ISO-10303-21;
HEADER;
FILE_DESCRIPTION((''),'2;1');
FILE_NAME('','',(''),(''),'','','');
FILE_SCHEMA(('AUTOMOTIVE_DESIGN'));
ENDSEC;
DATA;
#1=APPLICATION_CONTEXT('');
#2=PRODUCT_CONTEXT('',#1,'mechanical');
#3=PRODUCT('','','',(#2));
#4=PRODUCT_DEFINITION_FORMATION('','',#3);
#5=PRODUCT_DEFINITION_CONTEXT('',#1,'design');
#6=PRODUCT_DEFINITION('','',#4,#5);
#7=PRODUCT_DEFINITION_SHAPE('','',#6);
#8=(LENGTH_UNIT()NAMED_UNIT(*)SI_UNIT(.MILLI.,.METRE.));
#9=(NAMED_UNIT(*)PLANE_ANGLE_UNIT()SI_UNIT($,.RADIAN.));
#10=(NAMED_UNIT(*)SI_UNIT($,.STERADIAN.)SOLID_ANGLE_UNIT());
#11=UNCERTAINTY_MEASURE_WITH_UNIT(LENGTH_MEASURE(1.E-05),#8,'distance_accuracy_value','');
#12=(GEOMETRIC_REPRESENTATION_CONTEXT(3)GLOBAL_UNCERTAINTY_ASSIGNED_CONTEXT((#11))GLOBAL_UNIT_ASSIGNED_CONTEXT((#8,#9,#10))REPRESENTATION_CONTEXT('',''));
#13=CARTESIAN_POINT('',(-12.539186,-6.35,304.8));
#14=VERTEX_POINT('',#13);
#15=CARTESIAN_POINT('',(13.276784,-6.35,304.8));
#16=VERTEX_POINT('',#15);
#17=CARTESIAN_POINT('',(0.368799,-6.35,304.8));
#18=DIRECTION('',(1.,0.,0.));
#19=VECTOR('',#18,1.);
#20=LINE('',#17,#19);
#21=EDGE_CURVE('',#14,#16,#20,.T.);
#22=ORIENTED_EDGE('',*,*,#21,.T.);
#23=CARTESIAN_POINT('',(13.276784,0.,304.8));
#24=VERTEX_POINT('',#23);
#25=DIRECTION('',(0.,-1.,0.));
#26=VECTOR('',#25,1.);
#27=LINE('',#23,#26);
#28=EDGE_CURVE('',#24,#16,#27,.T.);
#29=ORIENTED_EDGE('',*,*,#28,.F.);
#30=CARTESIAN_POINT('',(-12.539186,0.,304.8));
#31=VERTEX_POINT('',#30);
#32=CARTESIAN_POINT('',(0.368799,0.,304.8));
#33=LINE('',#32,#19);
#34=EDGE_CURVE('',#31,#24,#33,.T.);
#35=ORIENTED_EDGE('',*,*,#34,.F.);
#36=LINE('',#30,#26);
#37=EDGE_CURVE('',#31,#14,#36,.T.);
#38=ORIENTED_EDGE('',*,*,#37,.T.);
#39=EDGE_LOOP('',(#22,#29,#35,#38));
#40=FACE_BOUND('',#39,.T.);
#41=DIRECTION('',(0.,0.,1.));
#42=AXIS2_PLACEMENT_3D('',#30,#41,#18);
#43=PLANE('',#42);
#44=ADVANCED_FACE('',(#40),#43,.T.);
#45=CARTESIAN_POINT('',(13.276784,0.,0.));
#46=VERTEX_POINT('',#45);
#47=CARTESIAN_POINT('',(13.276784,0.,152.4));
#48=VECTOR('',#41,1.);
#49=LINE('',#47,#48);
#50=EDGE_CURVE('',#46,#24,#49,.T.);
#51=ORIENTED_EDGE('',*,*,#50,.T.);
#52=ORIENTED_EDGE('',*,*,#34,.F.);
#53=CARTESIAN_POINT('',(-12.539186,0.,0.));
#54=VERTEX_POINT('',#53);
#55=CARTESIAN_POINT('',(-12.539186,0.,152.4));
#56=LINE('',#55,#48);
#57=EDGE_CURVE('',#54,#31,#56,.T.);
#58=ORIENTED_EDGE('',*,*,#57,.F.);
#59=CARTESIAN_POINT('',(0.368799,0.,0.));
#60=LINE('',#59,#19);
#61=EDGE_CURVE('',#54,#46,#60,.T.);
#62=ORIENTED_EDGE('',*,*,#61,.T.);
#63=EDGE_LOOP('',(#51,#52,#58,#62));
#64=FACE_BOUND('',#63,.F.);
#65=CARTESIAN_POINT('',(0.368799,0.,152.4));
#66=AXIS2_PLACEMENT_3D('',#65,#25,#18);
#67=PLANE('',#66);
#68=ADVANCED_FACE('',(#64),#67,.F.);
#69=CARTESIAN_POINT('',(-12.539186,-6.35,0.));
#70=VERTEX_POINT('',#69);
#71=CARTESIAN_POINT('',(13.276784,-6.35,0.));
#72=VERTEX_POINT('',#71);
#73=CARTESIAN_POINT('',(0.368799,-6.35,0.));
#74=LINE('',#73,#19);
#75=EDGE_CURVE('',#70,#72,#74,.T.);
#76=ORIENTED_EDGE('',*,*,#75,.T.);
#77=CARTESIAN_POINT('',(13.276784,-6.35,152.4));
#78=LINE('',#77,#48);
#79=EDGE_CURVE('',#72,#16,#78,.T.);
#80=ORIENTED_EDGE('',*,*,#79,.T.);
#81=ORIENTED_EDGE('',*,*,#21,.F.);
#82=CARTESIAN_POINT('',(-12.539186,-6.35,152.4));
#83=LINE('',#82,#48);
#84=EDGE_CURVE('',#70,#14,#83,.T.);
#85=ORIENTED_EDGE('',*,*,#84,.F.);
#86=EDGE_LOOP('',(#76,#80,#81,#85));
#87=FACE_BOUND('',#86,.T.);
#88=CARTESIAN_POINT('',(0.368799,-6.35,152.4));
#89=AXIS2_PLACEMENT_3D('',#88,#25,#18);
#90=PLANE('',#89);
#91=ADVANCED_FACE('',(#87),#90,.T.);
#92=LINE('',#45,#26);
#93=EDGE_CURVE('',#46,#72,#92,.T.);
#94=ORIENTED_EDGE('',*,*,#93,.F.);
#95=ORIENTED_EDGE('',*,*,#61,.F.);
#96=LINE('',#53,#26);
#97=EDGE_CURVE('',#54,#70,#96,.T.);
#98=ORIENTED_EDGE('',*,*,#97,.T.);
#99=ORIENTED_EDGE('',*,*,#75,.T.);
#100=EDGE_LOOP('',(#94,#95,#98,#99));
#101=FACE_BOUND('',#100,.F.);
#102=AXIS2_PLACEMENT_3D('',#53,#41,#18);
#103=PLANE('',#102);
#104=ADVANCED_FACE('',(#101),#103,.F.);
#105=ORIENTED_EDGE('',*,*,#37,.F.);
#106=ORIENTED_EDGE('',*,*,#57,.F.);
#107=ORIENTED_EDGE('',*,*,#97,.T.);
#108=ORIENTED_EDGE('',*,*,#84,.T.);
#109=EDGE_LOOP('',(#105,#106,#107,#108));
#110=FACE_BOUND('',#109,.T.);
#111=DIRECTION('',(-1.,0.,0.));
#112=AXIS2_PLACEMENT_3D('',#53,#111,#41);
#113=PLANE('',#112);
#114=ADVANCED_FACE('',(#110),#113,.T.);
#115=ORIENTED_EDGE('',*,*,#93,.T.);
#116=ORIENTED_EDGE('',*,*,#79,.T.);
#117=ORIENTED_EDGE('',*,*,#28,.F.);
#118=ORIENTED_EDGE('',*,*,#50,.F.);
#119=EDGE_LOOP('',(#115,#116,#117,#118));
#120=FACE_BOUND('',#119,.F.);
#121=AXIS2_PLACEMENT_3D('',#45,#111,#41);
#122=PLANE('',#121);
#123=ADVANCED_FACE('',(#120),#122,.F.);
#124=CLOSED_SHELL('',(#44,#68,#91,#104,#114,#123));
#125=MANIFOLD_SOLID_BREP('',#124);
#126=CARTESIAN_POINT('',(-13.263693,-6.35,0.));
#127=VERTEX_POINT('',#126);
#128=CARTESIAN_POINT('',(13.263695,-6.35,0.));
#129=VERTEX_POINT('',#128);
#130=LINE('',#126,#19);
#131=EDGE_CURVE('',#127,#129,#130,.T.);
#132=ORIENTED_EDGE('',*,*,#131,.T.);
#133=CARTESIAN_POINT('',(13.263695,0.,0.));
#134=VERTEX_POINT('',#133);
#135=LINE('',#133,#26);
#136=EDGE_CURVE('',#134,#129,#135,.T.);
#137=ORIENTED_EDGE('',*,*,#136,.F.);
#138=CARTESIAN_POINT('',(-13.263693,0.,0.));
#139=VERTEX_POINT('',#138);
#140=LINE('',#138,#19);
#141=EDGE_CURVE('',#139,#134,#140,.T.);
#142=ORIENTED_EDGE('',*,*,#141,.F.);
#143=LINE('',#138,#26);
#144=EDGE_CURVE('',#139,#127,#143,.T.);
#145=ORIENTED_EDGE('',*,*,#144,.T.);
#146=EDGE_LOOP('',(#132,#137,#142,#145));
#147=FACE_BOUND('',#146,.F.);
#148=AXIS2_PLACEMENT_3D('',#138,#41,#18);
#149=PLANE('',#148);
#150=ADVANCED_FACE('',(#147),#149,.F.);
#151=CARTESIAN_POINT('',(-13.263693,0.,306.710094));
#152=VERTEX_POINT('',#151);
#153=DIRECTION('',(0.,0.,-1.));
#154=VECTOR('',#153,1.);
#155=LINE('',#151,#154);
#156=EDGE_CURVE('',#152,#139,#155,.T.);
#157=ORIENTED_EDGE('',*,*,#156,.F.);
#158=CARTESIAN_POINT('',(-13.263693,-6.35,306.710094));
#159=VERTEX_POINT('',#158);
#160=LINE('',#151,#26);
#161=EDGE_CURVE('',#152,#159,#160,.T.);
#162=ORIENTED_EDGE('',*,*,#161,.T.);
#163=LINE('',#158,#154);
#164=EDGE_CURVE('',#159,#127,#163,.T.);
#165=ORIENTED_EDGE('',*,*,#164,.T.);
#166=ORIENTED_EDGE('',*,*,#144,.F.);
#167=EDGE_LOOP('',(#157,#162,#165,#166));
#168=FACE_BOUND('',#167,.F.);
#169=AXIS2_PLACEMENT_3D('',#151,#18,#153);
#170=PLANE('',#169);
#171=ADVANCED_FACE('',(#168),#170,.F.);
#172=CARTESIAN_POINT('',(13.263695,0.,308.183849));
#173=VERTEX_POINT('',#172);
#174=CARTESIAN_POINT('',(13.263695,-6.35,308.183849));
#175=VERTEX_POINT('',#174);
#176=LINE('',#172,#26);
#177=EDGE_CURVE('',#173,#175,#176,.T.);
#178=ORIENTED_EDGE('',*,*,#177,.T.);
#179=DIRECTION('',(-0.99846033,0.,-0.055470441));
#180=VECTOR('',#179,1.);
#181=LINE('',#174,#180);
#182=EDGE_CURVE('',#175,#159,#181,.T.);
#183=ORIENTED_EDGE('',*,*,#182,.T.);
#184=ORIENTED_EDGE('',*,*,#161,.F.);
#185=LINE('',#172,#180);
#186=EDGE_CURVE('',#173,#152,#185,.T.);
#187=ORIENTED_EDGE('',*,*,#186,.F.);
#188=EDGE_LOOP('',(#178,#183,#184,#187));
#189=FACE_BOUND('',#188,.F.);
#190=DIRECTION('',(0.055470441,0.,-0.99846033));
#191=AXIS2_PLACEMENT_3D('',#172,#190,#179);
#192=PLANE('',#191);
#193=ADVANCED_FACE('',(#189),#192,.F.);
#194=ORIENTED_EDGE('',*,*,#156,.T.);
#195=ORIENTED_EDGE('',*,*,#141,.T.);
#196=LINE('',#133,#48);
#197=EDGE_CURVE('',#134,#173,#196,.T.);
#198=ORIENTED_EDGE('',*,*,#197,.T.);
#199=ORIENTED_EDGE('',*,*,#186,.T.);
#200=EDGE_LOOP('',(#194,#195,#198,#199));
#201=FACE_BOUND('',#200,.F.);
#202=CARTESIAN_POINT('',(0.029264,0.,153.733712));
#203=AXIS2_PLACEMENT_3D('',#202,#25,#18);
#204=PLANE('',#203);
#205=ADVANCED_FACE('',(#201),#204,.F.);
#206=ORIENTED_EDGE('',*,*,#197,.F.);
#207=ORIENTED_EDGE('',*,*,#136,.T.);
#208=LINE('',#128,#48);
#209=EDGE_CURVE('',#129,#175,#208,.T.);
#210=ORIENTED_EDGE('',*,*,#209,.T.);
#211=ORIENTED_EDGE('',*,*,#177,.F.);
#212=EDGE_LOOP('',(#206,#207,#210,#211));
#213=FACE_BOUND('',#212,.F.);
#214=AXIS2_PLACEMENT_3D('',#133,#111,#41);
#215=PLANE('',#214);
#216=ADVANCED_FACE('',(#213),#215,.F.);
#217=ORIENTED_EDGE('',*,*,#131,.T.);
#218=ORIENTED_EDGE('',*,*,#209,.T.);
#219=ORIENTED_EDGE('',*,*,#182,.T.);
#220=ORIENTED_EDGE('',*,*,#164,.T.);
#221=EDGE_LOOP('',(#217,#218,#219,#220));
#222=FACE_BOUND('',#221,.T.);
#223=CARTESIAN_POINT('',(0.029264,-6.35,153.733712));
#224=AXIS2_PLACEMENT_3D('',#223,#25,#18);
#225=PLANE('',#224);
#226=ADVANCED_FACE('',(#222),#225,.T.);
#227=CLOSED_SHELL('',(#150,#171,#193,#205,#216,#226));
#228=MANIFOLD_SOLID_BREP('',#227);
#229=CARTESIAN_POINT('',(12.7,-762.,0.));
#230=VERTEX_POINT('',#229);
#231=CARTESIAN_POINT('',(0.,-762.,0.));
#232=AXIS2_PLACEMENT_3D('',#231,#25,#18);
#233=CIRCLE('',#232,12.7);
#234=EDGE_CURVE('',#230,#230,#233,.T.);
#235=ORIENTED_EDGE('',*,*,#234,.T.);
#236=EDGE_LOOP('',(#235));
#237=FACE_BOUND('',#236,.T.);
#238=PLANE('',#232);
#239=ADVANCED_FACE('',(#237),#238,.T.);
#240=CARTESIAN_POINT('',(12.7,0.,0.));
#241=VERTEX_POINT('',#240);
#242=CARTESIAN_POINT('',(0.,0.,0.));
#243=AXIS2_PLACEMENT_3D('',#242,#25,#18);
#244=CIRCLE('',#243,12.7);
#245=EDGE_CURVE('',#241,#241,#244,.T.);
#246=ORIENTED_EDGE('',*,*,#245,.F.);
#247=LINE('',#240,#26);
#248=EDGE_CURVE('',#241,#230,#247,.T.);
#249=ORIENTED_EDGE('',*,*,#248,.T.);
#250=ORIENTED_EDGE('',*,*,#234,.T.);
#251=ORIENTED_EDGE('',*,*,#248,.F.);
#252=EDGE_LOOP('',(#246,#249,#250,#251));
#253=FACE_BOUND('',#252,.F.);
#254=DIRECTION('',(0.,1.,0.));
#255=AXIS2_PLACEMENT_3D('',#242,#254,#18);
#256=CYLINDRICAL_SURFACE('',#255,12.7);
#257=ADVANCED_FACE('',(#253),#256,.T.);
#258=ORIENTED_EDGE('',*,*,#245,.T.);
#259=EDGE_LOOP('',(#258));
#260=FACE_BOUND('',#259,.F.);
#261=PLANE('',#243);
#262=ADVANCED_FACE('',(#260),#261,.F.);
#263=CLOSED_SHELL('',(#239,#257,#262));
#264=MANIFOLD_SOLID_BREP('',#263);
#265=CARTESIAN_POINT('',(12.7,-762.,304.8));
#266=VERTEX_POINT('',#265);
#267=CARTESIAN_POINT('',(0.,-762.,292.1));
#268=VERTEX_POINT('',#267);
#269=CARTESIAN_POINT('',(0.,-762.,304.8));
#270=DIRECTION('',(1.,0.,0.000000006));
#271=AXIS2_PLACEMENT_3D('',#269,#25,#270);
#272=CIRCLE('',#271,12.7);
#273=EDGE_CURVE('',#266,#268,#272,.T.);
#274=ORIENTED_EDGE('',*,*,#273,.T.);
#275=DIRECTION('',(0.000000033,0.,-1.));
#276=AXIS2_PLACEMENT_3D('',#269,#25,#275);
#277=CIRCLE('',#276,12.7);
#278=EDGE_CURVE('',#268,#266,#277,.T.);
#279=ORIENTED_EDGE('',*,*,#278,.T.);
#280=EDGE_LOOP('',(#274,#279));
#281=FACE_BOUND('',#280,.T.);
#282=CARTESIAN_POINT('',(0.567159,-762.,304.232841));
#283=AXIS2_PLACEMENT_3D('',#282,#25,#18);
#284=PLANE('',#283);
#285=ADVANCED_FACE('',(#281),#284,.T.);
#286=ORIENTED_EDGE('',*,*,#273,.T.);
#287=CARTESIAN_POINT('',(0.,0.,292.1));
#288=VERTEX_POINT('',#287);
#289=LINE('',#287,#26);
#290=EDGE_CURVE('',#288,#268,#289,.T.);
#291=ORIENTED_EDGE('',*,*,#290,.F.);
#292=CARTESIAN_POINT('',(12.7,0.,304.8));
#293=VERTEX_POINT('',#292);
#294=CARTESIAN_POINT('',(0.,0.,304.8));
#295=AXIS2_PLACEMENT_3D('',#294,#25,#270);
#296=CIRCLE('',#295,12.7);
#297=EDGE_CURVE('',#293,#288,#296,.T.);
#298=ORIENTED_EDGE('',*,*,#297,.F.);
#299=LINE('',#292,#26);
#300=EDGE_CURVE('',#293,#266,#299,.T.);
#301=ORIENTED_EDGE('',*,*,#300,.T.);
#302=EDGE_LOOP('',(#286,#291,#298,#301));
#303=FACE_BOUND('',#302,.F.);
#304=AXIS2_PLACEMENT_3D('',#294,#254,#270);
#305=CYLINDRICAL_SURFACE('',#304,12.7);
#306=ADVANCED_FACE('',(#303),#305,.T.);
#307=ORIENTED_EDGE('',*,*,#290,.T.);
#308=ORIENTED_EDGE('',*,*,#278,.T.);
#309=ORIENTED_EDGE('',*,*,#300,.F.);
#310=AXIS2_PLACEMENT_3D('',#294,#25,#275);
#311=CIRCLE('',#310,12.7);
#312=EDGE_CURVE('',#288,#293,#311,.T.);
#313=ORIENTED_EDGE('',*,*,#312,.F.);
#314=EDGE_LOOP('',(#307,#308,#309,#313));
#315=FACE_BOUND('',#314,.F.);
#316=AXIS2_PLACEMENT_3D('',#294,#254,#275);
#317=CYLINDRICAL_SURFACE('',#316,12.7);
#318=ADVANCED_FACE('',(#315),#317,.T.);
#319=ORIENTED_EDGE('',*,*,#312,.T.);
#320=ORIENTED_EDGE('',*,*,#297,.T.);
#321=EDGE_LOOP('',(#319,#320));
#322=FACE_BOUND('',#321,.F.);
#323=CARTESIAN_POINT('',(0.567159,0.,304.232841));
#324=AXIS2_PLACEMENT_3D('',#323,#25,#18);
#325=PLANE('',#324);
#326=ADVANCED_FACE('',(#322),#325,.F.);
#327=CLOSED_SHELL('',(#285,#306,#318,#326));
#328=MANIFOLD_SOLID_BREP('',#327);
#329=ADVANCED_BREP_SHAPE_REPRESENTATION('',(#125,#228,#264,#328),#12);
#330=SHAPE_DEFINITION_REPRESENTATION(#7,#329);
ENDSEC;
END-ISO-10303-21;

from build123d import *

# Parameters (mm, degrees)
F0_R     = 12.7
F1_DEPTH = 762
F3_DEPTH = 762
F4_W     = 25.81597
F4_H     = 304.8
F5_DEPTH = 6.35
F7_DEPTH = 6.35
F9_DEPTH = 6.35


with BuildPart() as f1:
    # F0 (on Front) → F1 (new body)
    with BuildSketch(Plane.XZ):
        Circle(F0_R)
    extrude(amount=F1_DEPTH)


with BuildPart() as f3:
    # F2 (on Front) → F3 (new body)
    with BuildSketch(Plane.XZ):
        with BuildLine():
            ThreePointArc((0, 292.1), (8.980256, 295.819744), (12.7, 304.8))
            ThreePointArc((12.7, 304.8), (-8.980256, 313.780256), (0, 292.1))
        make_face()
    extrude(amount=F3_DEPTH)


with BuildPart() as f5:
    # F4 (on Front) → F5 (new body)
    with BuildSketch(Plane.XZ):
        with Locations((0.368799, 152.4)):
            Rectangle(F4_W, F4_H)
    extrude(amount=F5_DEPTH)


with BuildPart() as f7:
    # F6 (on Front) → F7 (new body)
    with BuildSketch(Plane.XZ):
        Polygon((13.263695, 308.183849), (-13.263693, 306.710094), (-13.263693, 0), (13.263695, 0), align=None)
    extrude(amount=F7_DEPTH)


with BuildPart() as f9:
    # F8 (on face) → F9 (new body)
    with BuildSketch(Plane.XZ.offset(6.35)):
        Polygon((-247.386217, -295.513868), (-247.386217, 0), (-272.435516, 0), (-272.435516, -300.665438), align=None)
    extrude(amount=F9_DEPTH)


solid = Compound([f1.part, f3.part, f5.part, f7.part])
